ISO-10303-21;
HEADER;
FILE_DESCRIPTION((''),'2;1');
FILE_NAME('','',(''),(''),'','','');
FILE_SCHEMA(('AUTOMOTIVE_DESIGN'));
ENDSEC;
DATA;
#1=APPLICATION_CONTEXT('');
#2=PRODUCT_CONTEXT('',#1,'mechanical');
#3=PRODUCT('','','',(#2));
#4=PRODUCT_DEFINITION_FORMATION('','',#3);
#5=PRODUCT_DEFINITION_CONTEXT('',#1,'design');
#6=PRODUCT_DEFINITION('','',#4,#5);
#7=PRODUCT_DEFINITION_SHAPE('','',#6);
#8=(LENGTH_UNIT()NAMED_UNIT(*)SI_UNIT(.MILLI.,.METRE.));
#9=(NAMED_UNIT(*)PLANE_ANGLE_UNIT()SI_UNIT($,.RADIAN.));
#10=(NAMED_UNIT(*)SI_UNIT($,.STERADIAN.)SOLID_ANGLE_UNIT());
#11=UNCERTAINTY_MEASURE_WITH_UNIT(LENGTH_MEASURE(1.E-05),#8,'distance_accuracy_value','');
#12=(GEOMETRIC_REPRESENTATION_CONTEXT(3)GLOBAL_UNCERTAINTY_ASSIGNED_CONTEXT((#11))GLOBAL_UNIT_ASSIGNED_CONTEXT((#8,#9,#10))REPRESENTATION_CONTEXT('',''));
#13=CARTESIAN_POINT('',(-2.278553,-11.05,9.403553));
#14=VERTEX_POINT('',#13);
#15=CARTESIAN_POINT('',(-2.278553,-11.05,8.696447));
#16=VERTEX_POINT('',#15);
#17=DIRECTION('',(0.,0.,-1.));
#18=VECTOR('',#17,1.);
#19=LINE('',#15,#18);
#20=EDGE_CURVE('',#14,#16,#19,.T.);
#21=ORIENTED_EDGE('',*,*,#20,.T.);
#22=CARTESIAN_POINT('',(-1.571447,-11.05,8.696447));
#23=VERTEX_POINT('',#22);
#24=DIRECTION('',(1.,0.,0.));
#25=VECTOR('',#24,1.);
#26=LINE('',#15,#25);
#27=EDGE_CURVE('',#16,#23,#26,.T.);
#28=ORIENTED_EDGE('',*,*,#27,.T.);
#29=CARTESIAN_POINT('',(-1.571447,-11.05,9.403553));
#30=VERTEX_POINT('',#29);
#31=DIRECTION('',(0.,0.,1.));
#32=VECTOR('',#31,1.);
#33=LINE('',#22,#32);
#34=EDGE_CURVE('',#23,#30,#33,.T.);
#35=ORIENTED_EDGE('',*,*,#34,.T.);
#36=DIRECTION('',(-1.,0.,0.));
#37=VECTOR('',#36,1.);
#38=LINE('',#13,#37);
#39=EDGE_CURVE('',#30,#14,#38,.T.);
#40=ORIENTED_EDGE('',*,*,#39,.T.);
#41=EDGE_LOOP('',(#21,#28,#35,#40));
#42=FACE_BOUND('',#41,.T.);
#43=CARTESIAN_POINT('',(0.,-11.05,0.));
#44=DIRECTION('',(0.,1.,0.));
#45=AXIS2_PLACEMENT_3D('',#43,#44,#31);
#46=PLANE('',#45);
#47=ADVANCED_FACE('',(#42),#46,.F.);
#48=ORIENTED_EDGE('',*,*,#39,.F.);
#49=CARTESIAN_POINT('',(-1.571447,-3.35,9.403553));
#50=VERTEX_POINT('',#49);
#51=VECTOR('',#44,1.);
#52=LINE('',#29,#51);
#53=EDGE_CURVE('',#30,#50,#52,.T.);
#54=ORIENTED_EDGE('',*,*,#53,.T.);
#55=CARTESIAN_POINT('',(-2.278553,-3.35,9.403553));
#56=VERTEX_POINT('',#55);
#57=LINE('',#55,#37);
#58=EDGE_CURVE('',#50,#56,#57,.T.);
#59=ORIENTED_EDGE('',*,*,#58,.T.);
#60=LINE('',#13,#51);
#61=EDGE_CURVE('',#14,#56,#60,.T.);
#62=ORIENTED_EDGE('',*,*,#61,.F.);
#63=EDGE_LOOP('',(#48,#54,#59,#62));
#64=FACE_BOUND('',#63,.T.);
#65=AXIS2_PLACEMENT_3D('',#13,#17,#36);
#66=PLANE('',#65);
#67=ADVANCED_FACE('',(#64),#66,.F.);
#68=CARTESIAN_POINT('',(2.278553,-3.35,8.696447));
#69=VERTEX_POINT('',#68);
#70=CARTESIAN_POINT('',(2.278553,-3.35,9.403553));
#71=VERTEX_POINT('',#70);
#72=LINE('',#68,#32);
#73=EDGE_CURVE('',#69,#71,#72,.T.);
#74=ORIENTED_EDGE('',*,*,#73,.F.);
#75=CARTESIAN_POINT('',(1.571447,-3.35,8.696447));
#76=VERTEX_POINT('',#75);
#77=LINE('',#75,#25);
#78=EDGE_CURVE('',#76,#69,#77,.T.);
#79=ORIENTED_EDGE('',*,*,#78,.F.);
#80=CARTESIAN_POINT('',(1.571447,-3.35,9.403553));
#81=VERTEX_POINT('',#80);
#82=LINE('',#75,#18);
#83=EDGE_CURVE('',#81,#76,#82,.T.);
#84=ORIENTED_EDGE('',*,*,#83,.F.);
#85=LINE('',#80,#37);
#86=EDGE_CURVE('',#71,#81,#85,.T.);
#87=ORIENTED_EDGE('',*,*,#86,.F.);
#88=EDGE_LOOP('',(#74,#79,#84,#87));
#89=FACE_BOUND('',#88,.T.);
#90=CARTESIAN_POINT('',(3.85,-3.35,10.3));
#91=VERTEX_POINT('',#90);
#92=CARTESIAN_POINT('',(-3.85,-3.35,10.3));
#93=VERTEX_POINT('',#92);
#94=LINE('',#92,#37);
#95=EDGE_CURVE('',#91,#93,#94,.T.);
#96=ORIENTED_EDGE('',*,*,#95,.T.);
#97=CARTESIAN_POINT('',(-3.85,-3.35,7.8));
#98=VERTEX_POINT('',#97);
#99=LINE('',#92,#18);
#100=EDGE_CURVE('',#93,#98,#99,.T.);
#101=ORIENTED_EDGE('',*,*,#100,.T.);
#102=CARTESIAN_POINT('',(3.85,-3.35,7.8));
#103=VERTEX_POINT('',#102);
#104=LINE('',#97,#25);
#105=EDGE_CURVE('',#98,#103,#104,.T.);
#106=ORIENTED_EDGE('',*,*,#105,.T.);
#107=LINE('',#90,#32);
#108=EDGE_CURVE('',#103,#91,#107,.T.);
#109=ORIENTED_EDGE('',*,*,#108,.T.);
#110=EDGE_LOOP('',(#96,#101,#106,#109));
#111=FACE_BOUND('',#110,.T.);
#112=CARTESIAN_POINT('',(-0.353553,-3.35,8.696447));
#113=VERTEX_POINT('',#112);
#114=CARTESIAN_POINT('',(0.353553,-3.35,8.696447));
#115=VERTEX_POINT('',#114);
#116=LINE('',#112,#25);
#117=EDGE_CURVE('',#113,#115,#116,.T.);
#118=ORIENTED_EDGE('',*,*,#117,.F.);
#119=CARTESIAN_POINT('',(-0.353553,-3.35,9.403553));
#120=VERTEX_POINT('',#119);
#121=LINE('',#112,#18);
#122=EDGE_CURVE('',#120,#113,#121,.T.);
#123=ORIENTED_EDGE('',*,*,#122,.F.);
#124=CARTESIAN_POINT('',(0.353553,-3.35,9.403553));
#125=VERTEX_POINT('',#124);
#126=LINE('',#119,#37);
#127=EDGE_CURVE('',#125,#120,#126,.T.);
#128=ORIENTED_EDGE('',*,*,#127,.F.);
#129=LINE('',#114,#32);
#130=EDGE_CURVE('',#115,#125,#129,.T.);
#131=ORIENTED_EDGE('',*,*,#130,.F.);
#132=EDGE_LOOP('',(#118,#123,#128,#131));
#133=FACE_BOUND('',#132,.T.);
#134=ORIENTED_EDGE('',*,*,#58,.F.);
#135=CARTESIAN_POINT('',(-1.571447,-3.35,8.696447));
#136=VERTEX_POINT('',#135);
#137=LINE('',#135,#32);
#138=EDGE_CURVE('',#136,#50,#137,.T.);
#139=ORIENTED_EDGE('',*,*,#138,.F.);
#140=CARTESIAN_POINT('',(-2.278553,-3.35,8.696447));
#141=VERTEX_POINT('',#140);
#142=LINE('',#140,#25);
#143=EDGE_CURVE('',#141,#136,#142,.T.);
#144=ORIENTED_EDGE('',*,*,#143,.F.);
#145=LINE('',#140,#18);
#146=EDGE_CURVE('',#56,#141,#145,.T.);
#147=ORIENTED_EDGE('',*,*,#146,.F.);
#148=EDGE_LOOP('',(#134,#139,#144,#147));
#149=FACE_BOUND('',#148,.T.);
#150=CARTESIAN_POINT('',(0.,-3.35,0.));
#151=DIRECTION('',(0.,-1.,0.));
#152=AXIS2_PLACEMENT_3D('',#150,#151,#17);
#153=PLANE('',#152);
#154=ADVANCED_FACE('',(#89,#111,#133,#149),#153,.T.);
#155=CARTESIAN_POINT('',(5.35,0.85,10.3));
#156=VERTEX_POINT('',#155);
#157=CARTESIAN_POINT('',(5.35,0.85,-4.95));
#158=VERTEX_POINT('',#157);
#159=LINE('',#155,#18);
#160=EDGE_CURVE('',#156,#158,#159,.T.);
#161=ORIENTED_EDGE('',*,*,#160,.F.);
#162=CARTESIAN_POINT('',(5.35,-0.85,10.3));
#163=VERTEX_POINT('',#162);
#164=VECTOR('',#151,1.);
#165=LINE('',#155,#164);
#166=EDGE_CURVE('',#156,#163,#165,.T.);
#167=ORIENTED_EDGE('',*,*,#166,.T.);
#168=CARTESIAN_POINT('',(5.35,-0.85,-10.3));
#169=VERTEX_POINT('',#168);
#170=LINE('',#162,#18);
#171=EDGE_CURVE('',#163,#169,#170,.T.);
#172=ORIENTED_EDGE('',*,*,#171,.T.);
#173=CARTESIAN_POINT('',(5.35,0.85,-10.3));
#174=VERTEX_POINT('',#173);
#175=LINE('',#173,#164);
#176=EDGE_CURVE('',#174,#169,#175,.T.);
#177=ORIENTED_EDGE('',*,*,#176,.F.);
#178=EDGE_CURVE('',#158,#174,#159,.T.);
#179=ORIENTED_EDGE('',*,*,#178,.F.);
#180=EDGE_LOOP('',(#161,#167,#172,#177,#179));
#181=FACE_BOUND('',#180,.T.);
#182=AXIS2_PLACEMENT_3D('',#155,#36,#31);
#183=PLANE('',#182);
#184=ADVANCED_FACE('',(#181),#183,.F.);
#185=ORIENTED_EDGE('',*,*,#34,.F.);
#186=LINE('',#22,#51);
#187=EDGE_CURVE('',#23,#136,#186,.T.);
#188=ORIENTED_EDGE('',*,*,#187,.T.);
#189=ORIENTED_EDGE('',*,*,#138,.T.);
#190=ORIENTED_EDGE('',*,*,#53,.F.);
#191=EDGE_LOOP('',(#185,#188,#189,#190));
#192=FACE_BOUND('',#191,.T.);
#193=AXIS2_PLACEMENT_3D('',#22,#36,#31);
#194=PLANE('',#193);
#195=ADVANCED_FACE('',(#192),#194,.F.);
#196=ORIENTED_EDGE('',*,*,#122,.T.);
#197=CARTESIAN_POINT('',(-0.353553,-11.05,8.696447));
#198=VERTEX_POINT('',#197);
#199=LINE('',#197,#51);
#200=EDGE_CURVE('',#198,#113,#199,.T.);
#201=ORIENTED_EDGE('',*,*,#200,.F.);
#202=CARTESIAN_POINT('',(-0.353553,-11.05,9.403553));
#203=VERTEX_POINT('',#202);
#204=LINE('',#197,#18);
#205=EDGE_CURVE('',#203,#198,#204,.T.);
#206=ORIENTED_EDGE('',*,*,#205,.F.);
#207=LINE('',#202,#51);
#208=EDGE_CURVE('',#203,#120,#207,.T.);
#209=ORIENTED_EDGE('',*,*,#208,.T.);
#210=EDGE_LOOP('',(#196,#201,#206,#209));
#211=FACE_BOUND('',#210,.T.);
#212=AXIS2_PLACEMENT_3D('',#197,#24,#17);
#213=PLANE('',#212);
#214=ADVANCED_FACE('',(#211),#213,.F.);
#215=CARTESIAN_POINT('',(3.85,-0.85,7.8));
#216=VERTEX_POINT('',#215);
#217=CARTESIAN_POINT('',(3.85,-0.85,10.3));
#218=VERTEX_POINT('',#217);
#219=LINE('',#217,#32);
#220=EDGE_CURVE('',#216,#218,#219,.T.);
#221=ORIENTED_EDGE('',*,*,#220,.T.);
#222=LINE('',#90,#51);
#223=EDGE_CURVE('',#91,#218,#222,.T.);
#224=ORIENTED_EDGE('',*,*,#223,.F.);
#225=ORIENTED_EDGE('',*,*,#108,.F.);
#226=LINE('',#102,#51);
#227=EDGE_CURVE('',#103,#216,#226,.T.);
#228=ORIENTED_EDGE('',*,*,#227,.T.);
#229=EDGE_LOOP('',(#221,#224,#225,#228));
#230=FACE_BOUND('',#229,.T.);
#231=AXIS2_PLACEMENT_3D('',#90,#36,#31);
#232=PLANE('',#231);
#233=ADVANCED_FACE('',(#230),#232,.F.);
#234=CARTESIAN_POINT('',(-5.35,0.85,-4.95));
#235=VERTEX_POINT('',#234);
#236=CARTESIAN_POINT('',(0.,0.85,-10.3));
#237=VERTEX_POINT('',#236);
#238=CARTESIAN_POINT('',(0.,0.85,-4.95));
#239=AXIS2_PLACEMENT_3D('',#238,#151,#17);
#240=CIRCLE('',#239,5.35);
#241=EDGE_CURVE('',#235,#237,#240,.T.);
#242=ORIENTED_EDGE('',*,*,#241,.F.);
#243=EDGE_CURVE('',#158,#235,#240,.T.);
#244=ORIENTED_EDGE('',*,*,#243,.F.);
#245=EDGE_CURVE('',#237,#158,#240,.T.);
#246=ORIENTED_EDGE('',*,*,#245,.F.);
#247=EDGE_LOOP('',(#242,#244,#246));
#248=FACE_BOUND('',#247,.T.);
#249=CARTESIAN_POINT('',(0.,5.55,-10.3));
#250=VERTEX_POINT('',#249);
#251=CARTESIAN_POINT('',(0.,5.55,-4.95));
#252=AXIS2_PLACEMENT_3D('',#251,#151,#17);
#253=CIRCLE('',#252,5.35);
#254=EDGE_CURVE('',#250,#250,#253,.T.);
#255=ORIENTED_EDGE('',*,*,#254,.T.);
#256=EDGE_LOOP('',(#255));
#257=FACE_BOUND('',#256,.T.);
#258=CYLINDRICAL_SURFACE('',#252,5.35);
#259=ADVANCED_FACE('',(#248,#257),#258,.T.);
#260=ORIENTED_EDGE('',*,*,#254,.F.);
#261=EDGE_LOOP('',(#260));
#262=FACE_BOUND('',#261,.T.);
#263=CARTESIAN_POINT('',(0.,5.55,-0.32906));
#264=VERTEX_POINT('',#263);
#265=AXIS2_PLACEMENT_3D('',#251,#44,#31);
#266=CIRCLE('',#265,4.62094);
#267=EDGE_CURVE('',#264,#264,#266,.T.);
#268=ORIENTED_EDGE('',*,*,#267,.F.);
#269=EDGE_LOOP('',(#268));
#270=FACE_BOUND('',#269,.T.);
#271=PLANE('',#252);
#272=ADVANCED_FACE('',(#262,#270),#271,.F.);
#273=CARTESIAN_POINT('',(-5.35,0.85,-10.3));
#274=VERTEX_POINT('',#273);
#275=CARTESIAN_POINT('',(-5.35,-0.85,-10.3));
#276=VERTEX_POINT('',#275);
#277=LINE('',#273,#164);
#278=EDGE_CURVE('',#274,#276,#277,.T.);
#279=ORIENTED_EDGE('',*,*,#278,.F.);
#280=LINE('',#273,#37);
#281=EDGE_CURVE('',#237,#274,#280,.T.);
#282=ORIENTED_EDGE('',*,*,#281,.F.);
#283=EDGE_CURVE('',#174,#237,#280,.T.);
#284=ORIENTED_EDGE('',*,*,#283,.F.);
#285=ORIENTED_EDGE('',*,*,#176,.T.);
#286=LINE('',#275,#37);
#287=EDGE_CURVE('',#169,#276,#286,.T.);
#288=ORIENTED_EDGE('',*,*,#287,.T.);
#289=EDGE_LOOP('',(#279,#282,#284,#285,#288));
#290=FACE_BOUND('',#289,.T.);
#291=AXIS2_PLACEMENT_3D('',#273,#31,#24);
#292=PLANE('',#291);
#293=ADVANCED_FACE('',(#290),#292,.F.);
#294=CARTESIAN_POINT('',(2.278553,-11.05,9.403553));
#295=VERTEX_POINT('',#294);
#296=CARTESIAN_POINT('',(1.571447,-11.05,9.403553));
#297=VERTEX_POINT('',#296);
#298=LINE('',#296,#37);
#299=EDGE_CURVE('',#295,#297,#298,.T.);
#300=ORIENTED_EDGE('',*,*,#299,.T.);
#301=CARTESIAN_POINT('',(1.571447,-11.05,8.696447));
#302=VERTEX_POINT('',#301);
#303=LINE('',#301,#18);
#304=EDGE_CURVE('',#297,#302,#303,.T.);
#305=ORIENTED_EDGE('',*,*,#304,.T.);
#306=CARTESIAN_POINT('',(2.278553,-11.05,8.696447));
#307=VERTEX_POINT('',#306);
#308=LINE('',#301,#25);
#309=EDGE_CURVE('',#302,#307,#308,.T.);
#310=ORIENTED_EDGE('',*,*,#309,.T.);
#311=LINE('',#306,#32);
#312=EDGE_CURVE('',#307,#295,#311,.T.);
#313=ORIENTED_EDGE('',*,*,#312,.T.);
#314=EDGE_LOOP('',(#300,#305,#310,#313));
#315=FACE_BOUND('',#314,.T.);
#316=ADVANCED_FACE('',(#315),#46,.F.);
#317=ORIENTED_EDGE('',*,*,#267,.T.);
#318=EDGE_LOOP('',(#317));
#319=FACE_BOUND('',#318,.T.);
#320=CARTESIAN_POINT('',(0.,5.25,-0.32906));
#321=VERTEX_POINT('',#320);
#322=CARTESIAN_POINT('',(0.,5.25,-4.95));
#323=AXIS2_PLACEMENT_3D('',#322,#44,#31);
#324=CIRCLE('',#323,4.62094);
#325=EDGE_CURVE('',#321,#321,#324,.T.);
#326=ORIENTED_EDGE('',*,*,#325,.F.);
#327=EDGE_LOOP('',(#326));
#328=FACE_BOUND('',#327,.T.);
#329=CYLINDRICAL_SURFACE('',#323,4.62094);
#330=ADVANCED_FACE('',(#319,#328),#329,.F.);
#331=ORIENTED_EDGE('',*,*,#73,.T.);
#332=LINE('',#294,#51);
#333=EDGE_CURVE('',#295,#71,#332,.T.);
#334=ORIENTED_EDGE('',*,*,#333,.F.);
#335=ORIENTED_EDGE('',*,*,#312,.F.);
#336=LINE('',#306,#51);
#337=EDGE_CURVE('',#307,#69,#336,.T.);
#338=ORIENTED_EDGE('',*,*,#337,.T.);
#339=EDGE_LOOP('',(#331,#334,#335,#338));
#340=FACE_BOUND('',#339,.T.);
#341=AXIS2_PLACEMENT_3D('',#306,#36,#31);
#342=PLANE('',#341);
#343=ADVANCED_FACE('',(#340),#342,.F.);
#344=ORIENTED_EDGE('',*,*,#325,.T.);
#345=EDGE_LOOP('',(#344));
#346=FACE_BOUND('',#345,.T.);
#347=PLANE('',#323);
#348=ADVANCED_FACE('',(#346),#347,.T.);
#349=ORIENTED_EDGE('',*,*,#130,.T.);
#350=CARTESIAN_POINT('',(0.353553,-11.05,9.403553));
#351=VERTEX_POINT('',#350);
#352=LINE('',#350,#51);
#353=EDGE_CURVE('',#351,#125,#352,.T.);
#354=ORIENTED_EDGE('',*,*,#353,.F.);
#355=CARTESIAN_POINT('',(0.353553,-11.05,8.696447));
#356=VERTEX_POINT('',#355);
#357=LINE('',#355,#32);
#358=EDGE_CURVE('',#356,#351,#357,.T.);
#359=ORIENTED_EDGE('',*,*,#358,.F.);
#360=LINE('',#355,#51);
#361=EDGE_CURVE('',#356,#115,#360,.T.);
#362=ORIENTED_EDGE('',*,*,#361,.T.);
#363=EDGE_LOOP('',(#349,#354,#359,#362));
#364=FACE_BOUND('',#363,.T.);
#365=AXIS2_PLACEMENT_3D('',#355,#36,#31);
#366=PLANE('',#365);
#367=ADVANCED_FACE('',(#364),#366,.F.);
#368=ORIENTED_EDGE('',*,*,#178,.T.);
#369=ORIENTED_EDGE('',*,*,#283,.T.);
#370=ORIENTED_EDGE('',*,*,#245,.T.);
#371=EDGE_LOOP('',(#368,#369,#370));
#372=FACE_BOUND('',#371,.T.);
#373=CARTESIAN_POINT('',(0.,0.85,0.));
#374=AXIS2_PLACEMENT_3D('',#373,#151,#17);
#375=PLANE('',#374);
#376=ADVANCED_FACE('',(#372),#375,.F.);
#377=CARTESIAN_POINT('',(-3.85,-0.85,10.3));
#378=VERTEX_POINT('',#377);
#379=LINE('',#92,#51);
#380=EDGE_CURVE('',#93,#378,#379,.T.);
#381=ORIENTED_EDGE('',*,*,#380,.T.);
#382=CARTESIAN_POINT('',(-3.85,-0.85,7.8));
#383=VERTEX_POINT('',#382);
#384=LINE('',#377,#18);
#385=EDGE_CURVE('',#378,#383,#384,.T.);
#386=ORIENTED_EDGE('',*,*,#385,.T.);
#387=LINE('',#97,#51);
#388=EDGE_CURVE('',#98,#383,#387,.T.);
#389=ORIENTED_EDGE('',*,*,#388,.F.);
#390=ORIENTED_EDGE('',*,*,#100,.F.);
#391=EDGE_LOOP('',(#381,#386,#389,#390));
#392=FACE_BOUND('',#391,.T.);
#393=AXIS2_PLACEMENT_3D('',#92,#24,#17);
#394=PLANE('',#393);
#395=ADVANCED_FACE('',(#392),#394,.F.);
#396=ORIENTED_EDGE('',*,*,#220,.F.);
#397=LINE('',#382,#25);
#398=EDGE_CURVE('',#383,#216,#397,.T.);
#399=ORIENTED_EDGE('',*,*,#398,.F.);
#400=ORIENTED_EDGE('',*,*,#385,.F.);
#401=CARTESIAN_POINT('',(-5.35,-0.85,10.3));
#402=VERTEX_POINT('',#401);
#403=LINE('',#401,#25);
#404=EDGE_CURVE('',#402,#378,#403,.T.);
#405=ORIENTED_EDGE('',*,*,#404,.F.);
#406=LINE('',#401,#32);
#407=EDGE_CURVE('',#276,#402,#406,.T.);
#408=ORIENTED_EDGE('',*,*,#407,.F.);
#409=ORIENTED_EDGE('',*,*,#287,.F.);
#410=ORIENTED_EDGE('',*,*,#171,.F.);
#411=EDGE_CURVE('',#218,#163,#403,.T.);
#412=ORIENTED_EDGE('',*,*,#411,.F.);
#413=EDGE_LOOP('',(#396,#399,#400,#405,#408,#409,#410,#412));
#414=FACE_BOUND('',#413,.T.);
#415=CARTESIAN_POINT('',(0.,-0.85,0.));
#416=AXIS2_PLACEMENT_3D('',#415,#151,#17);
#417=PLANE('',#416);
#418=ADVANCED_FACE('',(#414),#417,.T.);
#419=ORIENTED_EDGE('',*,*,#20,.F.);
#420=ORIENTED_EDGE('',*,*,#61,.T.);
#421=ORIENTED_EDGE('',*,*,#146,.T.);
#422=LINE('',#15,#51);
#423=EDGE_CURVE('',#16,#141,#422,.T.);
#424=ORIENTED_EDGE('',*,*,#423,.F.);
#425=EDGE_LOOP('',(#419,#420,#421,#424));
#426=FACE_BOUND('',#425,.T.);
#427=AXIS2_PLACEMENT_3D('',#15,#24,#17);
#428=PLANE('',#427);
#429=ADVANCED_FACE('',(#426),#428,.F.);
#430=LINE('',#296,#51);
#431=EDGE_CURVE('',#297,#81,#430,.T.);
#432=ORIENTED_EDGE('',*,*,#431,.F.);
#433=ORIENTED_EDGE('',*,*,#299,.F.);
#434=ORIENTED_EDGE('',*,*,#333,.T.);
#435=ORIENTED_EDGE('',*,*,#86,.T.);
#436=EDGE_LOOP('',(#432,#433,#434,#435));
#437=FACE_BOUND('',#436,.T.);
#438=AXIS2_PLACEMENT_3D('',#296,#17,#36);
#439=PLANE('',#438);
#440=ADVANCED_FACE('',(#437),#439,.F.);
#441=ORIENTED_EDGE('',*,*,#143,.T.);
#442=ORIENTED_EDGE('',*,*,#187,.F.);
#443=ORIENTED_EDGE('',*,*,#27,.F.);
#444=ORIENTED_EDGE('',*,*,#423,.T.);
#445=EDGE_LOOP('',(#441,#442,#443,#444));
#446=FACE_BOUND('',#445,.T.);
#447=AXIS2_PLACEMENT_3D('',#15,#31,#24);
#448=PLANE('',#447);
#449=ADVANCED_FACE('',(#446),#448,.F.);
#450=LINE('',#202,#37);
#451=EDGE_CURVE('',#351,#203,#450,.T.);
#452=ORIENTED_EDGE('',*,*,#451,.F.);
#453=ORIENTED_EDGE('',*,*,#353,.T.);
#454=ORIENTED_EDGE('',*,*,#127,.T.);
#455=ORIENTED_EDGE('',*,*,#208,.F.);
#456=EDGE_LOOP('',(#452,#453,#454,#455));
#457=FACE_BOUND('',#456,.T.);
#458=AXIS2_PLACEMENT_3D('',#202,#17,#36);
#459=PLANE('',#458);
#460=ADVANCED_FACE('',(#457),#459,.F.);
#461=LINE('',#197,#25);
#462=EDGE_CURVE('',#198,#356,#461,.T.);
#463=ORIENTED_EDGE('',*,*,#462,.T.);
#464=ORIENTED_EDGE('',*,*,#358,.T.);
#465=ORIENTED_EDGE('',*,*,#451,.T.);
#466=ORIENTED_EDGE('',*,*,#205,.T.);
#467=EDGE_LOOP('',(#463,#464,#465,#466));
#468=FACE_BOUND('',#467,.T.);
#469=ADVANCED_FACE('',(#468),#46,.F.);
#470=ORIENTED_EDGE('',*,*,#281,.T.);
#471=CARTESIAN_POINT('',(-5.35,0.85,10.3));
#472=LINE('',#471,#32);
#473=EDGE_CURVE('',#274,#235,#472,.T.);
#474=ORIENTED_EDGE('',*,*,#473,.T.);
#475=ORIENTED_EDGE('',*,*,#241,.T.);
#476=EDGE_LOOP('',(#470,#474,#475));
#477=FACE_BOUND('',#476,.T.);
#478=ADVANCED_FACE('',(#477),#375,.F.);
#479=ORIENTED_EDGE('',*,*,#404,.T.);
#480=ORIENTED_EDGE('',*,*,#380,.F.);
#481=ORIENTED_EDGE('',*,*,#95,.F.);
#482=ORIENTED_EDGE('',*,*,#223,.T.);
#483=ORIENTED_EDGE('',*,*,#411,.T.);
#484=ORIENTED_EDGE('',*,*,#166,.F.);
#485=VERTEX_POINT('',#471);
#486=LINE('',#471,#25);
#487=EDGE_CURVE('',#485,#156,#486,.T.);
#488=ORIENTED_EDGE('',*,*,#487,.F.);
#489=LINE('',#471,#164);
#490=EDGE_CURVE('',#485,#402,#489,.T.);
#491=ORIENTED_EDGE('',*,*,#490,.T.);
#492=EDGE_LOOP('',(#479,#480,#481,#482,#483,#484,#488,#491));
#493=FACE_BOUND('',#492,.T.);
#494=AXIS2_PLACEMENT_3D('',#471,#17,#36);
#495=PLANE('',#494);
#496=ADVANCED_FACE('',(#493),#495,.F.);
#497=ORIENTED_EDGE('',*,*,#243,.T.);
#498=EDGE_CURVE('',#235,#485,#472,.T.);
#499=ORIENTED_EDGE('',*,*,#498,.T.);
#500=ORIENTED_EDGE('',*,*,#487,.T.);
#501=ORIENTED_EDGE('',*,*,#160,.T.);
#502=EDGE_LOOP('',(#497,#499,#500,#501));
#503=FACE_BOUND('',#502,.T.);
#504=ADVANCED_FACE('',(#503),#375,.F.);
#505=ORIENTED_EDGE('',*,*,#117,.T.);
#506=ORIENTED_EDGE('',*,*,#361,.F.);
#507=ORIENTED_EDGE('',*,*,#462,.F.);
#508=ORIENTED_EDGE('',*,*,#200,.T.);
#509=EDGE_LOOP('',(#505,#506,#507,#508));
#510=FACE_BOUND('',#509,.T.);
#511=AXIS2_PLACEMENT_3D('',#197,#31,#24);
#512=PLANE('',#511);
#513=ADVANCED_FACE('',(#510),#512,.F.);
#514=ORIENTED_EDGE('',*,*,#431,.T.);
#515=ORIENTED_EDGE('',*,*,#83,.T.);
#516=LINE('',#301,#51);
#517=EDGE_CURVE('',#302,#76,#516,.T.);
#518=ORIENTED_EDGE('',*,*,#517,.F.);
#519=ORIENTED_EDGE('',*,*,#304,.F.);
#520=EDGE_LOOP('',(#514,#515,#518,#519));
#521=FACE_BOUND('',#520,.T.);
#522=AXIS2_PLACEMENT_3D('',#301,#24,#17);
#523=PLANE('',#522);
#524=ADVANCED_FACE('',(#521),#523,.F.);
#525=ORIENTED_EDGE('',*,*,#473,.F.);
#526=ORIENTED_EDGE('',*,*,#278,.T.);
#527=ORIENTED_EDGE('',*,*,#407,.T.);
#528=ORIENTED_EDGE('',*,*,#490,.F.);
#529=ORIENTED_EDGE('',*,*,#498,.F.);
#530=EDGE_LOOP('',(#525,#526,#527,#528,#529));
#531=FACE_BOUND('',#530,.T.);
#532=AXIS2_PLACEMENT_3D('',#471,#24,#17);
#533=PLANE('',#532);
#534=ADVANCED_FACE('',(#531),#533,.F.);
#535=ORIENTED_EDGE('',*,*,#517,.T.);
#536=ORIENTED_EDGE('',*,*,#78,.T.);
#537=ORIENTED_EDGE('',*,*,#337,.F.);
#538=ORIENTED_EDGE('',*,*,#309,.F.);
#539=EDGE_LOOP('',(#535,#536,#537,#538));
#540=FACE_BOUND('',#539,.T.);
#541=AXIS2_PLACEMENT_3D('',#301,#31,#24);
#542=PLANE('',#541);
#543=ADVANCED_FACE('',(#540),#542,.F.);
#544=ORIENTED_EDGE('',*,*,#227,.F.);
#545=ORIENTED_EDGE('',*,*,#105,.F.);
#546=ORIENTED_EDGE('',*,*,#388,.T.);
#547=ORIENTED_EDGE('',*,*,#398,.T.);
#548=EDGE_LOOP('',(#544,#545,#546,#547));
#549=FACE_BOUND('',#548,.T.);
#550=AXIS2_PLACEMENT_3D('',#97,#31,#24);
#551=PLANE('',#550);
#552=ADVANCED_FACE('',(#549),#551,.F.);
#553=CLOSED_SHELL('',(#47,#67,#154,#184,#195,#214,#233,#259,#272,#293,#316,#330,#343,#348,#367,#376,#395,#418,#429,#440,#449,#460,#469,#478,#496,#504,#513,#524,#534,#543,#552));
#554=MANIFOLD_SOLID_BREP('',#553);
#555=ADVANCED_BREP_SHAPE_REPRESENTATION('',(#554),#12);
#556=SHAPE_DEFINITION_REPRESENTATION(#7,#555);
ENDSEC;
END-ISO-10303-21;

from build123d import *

# Parameters (mm, degrees)
SKETCH1_W           = 10.7
SKETCH1_H           = 20.6
BOSS_EXTRUDE1_DEPTH = 0.85
SKETCH2_R           = 5.35
BOSS_EXTRUDE2_DEPTH = 6.4
SKETCH3_W           = 7.7
SKETCH3_H           = 2.5
BOSS_EXTRUDE3_DEPTH = 2.5
SKETCH4_W           = 0.707106782
SKETCH4_H           = 0.707106782
BOSS_EXTRUDE4_DEPTH = 7.7
SKETCH5_R           = 4.620940101
CUT_EXTRUDE1_DEPTH  = 0.3


with BuildPart() as part:
    # Sketch1 → Boss-Extrude1 (new, symmetric)
    with BuildSketch(Plane(origin=(0, 0, 0), x_dir=(1, 0, 0), z_dir=(0, 1, 0))):
        Rectangle(SKETCH1_W, SKETCH1_H)
    extrude(amount=BOSS_EXTRUDE1_DEPTH, both=True)

    # Sketch2 → Boss-Extrude2 (add)
    with BuildSketch(Plane.XZ.offset(0.85)):
        with Locations(Location((0, -4.95, 0), (0, 0, 270))):
            Circle(SKETCH2_R)
    extrude(amount=-BOSS_EXTRUDE2_DEPTH)

    # Sketch3 → Boss-Extrude3 (add)
    with BuildSketch(Plane.XZ.offset(0.85)):
        with Locations((0, 9.05)):
            Rectangle(SKETCH3_W, SKETCH3_H)
    extrude(amount=BOSS_EXTRUDE3_DEPTH)

    # Sketch4 → Boss-Extrude4 (add)
    with BuildSketch(Plane.XZ.offset(3.35)):
        with Locations((-1.925, 9.05)):
            Rectangle(SKETCH4_W, SKETCH4_H)
        with Locations((0, 9.05)):
            Rectangle(SKETCH4_W, SKETCH4_H)
        with Locations((1.925, 9.05)):
            Rectangle(SKETCH4_W, SKETCH4_H)
    extrude(amount=BOSS_EXTRUDE4_DEPTH)

    # Sketch5 → Cut-Extrude1 (cut)
    with BuildSketch(Plane(origin=(0, 5.55, 0), x_dir=(1, 0, 0), z_dir=(0, 1, 0))):
        with Locations(Location((0, 4.95, 0), (0, 0, 270))):
            Circle(SKETCH5_R)
    extrude(amount=-CUT_EXTRUDE1_DEPTH, mode=Mode.SUBTRACT)


solid = part.part
